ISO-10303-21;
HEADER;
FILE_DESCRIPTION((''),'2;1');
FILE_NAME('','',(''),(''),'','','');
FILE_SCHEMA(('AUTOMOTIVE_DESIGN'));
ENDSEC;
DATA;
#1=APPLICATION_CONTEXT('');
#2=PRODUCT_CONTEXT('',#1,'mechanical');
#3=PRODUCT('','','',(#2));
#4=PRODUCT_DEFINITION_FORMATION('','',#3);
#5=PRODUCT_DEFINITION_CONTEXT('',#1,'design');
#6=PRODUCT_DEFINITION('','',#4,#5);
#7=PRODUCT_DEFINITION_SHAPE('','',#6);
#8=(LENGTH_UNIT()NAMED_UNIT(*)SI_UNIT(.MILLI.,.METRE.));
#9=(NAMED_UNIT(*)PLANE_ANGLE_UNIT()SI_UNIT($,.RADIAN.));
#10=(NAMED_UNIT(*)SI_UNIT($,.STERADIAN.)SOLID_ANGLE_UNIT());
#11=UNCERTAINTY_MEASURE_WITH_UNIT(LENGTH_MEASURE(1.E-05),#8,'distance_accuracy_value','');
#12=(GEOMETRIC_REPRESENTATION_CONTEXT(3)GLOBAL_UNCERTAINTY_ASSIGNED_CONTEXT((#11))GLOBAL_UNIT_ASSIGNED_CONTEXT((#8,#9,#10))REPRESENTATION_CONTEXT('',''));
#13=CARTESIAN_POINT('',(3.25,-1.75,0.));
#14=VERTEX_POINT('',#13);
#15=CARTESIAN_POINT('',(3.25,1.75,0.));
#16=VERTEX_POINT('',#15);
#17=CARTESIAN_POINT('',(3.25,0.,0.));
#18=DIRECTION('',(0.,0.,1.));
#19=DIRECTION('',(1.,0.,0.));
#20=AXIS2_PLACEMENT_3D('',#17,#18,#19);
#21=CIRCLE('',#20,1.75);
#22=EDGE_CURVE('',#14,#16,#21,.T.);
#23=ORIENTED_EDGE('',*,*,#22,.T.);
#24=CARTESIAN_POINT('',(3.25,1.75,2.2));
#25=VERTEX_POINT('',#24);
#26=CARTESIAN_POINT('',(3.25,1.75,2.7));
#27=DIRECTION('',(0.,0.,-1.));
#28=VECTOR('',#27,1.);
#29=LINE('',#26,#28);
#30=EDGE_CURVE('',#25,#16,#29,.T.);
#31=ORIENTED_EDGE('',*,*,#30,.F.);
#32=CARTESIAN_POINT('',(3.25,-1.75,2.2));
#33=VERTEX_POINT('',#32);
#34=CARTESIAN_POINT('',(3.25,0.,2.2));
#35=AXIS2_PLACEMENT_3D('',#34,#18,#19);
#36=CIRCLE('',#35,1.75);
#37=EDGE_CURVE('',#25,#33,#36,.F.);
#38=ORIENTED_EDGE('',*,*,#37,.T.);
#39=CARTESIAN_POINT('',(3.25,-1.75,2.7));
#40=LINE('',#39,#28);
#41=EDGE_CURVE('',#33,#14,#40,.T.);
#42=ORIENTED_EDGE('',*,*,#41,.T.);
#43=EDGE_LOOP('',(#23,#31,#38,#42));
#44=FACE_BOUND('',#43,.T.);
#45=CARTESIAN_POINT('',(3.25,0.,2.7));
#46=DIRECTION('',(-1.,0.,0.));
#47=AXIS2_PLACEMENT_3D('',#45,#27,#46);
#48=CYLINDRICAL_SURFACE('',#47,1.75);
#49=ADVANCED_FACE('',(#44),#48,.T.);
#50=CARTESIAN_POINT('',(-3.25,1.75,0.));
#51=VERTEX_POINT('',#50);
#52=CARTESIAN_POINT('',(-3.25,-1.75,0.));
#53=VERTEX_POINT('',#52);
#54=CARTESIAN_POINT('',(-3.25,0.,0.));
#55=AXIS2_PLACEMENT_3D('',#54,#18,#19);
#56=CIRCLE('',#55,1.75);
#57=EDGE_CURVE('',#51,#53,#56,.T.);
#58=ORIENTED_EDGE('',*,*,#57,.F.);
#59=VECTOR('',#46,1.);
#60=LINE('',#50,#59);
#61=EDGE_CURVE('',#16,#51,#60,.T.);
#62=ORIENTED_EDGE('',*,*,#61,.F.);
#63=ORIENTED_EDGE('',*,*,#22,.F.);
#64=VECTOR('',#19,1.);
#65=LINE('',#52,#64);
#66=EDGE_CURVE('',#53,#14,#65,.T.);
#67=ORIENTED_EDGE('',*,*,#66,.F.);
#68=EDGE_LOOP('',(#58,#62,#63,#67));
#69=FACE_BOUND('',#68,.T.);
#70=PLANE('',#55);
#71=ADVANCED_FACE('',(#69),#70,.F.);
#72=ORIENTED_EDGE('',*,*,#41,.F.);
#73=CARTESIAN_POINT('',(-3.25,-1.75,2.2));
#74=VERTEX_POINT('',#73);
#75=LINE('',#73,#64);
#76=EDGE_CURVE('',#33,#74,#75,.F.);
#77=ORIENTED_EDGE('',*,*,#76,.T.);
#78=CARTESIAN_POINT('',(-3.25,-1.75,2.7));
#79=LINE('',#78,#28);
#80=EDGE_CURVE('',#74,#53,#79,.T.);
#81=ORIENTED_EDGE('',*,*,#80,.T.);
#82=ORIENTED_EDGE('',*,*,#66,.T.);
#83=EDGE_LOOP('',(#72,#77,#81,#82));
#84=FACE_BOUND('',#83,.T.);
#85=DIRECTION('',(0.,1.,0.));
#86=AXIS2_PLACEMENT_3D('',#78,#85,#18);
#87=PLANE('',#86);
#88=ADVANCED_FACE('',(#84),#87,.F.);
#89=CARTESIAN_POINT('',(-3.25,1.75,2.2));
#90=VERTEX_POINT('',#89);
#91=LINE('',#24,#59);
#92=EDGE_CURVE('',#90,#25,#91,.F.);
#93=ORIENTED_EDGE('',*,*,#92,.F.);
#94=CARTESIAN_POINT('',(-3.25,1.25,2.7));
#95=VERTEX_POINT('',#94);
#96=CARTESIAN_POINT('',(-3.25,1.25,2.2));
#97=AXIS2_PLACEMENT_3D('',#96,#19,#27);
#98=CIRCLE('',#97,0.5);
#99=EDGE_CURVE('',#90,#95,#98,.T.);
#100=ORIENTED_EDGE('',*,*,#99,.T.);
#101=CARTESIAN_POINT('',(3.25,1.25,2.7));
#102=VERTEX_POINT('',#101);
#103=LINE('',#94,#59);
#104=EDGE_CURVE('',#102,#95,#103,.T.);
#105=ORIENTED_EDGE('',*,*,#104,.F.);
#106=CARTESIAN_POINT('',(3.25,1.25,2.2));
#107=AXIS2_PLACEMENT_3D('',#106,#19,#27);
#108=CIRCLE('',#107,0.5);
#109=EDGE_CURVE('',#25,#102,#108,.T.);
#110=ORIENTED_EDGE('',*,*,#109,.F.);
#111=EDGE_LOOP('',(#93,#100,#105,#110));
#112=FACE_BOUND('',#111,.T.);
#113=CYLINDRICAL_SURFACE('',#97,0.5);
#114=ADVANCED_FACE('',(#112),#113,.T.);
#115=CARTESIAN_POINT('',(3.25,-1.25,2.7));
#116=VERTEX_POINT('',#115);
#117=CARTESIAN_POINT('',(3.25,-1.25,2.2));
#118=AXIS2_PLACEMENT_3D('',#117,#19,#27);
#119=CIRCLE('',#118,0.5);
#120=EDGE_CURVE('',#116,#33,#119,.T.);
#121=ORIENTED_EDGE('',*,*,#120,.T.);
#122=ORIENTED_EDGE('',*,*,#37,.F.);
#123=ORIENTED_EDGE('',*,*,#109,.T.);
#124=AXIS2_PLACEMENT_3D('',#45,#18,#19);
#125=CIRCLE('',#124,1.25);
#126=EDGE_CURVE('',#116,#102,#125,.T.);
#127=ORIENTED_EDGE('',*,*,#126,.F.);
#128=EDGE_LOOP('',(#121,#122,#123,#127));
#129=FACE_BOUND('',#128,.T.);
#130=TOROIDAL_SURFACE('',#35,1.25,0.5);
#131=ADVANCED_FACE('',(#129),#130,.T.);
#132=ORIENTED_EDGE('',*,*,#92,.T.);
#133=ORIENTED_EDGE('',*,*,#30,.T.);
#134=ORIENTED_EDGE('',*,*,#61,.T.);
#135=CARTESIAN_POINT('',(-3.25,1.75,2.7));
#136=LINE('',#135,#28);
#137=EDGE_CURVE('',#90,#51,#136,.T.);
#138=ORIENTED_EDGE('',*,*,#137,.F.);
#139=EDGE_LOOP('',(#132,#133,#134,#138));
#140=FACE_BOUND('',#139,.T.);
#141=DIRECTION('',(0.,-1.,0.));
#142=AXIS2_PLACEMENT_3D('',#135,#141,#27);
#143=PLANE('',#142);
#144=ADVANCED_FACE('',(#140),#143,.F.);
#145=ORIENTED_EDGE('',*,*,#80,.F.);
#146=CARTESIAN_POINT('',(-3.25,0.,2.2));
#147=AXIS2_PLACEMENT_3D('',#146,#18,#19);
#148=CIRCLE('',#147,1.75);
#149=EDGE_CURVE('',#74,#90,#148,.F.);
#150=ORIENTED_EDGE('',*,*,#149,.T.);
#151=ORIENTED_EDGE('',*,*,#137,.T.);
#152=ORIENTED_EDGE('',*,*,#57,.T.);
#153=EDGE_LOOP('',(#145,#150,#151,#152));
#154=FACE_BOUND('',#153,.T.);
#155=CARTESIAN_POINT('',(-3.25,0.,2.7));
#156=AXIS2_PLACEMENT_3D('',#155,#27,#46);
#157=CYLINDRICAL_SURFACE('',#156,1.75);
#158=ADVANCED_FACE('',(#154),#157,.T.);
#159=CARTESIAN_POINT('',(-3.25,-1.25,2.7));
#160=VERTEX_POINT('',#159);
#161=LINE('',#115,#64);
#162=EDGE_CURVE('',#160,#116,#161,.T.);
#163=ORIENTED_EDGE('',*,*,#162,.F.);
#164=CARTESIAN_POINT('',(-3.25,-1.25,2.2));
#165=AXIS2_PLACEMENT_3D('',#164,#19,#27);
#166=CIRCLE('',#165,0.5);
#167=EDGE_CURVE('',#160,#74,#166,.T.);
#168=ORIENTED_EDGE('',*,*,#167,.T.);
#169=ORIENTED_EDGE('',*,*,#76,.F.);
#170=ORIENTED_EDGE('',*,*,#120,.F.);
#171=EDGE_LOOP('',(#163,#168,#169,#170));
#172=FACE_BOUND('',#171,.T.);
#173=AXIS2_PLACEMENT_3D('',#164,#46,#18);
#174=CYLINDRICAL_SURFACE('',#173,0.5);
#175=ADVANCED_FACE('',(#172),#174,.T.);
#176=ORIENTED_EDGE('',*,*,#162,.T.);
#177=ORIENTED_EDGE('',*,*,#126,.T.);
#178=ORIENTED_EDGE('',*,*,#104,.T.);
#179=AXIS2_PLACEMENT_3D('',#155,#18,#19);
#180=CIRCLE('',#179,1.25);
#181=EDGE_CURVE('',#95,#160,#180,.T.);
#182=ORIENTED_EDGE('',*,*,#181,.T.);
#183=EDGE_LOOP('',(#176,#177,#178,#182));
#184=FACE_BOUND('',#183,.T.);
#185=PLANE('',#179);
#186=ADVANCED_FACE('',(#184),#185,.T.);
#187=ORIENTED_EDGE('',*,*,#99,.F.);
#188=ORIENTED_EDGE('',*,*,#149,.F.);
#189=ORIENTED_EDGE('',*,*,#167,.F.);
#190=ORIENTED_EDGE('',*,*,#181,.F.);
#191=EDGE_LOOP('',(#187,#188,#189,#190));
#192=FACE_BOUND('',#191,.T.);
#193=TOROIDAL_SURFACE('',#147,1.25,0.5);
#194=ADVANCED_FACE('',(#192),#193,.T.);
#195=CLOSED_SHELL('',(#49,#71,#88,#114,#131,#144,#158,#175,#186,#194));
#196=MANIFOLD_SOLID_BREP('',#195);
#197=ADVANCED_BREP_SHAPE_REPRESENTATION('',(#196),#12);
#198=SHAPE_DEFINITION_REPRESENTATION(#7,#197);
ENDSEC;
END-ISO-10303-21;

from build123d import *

# Parameters (mm, degrees)
BOSS_EXTRUDE1_DEPTH = 2.7
FILLET1_R           = 0.5


with BuildPart() as part:
    # Sketch1 → Boss-Extrude1 (new body)
    with BuildSketch(Plane.XY):
        with BuildLine():
            Line((-3.25, 1.75), (3.25, 1.75))
            ThreePointArc((3.25, 1.75), (5, 0), (3.25, -1.75))
            Line((3.25, -1.75), (-3.25, -1.75))
            ThreePointArc((-3.25, -1.75), (-5, 0), (-3.25, 1.75))
        make_face()
    extrude(amount=BOSS_EXTRUDE1_DEPTH)

    # Fillet1
    fillet1_edges = [part.edges().sort_by_distance(p)[0] for p in [
        (5, 0, 2.7),
        (0, 1.75, 2.7),
        (-5, 0, 2.7),
        (0, -1.75, 2.7),
    ]]
    fillet(fillet1_edges, radius=FILLET1_R)


solid = part.part
